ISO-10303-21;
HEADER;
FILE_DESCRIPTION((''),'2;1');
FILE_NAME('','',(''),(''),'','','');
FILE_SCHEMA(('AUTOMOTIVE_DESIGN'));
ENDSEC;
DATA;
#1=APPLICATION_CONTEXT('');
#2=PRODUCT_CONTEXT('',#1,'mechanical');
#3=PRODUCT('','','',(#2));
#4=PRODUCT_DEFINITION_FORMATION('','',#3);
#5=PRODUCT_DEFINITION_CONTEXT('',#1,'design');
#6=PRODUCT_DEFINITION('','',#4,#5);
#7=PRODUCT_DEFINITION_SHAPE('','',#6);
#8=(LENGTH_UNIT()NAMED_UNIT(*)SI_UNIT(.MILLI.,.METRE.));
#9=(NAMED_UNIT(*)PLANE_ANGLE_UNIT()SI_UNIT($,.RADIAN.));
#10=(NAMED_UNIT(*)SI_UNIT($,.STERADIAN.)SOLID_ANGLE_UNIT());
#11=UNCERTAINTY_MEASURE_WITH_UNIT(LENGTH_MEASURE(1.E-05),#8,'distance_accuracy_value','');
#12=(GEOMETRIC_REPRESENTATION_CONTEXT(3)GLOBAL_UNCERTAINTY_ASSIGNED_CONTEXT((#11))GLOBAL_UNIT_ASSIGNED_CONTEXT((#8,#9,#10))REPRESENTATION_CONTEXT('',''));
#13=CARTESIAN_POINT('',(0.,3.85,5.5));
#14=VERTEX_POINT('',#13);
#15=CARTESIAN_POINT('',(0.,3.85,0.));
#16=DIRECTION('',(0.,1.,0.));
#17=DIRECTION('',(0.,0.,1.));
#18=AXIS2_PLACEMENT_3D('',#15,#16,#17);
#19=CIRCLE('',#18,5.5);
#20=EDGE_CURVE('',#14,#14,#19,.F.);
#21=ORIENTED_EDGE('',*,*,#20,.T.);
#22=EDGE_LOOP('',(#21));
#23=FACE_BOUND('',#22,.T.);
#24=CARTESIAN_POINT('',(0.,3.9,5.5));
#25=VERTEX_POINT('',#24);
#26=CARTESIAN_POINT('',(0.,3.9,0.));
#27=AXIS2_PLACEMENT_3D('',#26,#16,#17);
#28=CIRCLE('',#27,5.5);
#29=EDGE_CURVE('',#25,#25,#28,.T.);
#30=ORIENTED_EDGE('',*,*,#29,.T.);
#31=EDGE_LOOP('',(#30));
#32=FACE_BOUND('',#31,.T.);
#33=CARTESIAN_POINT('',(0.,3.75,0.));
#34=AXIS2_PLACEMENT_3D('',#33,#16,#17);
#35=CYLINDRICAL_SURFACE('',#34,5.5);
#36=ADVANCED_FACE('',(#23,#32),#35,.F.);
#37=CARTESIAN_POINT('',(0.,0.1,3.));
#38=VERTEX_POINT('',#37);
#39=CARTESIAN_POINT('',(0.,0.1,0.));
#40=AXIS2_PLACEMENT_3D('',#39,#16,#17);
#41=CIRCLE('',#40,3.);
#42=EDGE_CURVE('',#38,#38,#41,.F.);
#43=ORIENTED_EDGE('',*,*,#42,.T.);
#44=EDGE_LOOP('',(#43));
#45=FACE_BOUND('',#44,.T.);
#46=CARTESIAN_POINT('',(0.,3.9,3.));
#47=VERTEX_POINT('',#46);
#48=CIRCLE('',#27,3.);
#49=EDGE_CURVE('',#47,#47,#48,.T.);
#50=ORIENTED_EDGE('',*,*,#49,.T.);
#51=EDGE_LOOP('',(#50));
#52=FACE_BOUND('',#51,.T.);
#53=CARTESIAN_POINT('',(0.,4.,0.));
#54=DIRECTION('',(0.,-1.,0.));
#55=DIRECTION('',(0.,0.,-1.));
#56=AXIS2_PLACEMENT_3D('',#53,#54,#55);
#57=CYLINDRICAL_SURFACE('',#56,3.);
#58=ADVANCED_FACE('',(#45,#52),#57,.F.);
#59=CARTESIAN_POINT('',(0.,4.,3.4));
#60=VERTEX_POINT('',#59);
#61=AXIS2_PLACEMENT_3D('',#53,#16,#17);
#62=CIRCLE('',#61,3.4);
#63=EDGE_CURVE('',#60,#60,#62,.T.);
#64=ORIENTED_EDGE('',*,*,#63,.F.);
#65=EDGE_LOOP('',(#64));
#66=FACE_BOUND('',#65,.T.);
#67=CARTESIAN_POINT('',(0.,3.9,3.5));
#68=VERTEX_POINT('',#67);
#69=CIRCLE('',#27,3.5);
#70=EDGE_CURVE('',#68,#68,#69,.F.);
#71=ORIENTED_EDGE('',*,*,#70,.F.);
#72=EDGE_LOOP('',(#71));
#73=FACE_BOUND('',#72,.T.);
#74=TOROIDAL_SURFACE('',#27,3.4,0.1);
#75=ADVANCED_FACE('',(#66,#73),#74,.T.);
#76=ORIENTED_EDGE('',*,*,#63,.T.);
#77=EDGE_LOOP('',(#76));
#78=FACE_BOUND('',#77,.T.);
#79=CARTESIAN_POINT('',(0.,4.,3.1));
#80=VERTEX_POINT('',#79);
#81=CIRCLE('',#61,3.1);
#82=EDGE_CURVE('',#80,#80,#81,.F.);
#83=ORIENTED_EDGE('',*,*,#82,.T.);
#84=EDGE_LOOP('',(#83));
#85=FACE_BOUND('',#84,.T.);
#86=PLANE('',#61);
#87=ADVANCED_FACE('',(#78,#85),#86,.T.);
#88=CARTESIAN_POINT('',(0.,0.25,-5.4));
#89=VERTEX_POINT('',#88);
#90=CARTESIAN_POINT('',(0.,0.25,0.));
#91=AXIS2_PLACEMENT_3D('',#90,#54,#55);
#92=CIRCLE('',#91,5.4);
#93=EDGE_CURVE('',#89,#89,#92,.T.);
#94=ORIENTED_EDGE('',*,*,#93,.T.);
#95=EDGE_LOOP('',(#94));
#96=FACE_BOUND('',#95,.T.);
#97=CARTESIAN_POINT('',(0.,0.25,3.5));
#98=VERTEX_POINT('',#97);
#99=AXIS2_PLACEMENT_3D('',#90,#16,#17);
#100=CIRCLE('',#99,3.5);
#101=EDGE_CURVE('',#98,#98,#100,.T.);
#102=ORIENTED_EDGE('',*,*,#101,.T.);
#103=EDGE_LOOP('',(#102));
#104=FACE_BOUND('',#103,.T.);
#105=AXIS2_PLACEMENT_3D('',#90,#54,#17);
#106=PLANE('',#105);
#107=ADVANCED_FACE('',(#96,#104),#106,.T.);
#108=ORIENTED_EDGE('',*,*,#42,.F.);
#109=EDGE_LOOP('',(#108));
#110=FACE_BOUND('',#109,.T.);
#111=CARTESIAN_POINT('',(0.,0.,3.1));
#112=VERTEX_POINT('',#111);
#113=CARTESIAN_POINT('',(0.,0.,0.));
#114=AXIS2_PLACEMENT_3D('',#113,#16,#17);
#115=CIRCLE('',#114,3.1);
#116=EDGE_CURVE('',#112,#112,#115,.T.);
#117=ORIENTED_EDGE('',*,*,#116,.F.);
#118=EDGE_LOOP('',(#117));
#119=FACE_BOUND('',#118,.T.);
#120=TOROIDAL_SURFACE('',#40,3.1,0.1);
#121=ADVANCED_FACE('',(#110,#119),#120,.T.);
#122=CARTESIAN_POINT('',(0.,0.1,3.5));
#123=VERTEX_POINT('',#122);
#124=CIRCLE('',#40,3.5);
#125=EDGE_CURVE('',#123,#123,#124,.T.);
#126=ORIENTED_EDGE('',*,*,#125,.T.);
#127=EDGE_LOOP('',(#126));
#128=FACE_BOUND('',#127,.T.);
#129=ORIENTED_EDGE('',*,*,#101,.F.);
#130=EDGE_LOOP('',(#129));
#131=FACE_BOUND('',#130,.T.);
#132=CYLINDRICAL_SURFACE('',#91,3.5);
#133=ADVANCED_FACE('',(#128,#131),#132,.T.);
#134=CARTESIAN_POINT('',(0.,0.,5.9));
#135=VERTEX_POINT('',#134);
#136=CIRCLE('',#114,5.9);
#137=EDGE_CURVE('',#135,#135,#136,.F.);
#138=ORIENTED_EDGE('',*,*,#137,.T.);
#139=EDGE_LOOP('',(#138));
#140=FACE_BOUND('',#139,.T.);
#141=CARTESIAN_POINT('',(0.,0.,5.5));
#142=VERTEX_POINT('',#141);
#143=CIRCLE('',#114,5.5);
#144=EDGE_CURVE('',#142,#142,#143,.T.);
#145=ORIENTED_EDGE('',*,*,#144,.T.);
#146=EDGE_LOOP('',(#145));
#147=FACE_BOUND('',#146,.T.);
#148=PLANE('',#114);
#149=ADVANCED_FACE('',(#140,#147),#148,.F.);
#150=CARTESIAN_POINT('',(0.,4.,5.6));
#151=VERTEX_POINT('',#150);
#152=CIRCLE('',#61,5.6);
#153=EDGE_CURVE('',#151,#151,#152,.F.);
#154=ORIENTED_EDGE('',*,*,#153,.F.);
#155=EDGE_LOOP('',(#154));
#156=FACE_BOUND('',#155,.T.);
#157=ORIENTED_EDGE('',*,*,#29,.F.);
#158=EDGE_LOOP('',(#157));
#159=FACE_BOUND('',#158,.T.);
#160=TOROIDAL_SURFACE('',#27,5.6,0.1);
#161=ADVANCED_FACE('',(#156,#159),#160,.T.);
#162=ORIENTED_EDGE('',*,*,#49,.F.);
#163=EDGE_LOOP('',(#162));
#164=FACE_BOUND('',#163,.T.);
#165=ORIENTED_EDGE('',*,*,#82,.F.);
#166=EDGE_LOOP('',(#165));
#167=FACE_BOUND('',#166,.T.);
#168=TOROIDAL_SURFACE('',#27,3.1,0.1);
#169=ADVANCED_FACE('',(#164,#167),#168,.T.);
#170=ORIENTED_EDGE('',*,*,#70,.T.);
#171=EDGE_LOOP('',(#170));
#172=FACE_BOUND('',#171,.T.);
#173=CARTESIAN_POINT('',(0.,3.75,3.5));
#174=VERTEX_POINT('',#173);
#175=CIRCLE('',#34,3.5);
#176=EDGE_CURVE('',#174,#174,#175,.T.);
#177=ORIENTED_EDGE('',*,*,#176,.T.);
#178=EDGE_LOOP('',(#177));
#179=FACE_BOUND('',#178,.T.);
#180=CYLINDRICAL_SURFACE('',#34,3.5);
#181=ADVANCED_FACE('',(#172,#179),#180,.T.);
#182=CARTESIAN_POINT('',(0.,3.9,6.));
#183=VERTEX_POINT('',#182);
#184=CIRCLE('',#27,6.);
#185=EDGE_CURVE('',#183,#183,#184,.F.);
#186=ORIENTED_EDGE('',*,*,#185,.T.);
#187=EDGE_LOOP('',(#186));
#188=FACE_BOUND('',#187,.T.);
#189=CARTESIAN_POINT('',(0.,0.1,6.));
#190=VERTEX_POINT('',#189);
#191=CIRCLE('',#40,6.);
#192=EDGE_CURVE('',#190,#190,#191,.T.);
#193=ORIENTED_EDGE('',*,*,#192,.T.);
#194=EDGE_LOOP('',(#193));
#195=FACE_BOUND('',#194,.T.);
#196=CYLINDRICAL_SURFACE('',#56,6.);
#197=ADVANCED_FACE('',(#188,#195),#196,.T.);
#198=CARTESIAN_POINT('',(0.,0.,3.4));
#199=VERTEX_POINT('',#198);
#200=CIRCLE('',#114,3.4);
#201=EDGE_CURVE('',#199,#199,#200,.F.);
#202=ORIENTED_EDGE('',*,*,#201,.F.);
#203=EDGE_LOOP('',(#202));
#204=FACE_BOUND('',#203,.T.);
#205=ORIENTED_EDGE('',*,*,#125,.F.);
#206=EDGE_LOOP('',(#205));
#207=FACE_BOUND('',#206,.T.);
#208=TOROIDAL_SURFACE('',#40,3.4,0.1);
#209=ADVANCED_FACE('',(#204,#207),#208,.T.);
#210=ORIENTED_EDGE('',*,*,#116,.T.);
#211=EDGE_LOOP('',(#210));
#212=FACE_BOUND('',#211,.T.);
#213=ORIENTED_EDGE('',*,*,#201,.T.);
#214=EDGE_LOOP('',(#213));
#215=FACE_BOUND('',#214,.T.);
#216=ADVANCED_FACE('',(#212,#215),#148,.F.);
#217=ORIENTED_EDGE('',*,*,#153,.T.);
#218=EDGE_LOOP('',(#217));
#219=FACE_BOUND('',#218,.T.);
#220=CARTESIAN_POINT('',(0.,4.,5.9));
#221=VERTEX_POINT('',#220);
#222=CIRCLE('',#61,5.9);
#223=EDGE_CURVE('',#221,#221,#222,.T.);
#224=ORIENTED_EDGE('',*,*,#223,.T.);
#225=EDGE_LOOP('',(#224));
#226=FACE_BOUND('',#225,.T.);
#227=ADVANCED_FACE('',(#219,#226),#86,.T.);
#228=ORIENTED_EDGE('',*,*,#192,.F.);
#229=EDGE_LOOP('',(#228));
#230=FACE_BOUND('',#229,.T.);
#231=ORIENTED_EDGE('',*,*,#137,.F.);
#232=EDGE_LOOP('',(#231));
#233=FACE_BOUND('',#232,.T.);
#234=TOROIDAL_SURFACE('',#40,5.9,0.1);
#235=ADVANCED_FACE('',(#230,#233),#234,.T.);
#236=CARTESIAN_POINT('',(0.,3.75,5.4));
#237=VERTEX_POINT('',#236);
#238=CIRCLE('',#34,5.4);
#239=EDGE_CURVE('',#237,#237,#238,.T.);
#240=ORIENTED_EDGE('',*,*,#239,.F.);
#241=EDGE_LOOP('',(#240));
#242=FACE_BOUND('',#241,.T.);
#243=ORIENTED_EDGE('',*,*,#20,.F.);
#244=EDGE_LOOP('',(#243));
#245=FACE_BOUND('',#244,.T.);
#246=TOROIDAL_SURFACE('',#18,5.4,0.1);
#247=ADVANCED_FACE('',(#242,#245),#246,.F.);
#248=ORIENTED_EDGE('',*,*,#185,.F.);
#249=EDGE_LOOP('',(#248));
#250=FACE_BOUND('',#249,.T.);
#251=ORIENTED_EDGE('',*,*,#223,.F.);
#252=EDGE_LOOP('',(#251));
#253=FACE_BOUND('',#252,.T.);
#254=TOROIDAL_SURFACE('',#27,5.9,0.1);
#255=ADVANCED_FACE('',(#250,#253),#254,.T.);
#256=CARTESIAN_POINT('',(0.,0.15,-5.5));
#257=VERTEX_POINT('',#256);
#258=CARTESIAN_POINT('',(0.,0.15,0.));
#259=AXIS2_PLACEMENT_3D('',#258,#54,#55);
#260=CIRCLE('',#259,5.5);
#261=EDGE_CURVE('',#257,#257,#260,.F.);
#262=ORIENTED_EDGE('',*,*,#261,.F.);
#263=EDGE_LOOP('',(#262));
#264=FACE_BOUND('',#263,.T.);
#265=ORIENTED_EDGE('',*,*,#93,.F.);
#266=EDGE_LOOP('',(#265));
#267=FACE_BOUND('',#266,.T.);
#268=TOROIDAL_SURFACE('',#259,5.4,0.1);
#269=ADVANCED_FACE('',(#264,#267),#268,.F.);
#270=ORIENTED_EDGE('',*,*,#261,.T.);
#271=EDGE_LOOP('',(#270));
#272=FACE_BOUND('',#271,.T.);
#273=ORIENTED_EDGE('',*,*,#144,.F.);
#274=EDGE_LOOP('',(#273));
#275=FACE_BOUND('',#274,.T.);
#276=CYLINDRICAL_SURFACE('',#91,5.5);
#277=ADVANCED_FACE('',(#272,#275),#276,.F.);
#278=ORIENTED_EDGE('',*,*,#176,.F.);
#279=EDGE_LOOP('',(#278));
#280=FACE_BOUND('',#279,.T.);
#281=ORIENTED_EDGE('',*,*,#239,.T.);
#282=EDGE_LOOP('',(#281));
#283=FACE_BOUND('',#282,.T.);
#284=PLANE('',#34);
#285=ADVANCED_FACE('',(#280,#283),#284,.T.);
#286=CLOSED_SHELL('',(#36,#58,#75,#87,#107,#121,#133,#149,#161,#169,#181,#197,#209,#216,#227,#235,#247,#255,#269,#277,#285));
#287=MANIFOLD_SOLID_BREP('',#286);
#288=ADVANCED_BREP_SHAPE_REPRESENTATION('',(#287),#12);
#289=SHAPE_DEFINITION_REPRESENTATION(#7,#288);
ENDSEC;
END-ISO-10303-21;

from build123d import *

# Parameters (mm, degrees)
SKETCH1_R           = 6
SKETCH1_R_2         = 3
BOSS_EXTRUDE1_DEPTH = 4
SKETCH2_R           = 5.5
SKETCH2_R_2         = 3.5
CUT_EXTRUDE1_DEPTH  = 0.25
FILLET1_R           = 0.1


with BuildPart() as part:
    # Sketch1 → Boss-Extrude1 (new body)
    with BuildSketch(Plane(origin=(0, 0, 0), x_dir=(1, 0, 0), z_dir=(0, 1, 0))):
        Circle(SKETCH1_R)
        Circle(SKETCH1_R_2, mode=Mode.SUBTRACT)
    extrude(amount=BOSS_EXTRUDE1_DEPTH)

    # Sketch2 → Cut-Extrude1 (cut)
    with BuildSketch(Plane(origin=(0, 4, 0), x_dir=(1, 0, 0), z_dir=(0, 1, 0))):
        Circle(SKETCH2_R)
        Circle(SKETCH2_R_2, mode=Mode.SUBTRACT)
    cut_extrude1 = extrude(amount=-CUT_EXTRUDE1_DEPTH, mode=Mode.SUBTRACT)

    # Mirror1: Cut-Extrude1 across plane
    add(cut_extrude1.mirror(Plane.ZX.offset(2)), mode=Mode.SUBTRACT)

    # Fillet1
    fillet1_edges = [part.edges().sort_by_distance(p)[0] for p in [
        (-5.5, 3.75, 0),
        (-5.5, 4, 0),
        (-3.5, 4, 0),
        (-5.5, 0.25, 0),
        (-3.5, 0, 0),
        (-6, 0, 0),
        (-6, 4, 0),
        (-3, 0, 0),
        (-3, 4, 0),
    ]]
    fillet(fillet1_edges, radius=FILLET1_R)


solid = part.part
